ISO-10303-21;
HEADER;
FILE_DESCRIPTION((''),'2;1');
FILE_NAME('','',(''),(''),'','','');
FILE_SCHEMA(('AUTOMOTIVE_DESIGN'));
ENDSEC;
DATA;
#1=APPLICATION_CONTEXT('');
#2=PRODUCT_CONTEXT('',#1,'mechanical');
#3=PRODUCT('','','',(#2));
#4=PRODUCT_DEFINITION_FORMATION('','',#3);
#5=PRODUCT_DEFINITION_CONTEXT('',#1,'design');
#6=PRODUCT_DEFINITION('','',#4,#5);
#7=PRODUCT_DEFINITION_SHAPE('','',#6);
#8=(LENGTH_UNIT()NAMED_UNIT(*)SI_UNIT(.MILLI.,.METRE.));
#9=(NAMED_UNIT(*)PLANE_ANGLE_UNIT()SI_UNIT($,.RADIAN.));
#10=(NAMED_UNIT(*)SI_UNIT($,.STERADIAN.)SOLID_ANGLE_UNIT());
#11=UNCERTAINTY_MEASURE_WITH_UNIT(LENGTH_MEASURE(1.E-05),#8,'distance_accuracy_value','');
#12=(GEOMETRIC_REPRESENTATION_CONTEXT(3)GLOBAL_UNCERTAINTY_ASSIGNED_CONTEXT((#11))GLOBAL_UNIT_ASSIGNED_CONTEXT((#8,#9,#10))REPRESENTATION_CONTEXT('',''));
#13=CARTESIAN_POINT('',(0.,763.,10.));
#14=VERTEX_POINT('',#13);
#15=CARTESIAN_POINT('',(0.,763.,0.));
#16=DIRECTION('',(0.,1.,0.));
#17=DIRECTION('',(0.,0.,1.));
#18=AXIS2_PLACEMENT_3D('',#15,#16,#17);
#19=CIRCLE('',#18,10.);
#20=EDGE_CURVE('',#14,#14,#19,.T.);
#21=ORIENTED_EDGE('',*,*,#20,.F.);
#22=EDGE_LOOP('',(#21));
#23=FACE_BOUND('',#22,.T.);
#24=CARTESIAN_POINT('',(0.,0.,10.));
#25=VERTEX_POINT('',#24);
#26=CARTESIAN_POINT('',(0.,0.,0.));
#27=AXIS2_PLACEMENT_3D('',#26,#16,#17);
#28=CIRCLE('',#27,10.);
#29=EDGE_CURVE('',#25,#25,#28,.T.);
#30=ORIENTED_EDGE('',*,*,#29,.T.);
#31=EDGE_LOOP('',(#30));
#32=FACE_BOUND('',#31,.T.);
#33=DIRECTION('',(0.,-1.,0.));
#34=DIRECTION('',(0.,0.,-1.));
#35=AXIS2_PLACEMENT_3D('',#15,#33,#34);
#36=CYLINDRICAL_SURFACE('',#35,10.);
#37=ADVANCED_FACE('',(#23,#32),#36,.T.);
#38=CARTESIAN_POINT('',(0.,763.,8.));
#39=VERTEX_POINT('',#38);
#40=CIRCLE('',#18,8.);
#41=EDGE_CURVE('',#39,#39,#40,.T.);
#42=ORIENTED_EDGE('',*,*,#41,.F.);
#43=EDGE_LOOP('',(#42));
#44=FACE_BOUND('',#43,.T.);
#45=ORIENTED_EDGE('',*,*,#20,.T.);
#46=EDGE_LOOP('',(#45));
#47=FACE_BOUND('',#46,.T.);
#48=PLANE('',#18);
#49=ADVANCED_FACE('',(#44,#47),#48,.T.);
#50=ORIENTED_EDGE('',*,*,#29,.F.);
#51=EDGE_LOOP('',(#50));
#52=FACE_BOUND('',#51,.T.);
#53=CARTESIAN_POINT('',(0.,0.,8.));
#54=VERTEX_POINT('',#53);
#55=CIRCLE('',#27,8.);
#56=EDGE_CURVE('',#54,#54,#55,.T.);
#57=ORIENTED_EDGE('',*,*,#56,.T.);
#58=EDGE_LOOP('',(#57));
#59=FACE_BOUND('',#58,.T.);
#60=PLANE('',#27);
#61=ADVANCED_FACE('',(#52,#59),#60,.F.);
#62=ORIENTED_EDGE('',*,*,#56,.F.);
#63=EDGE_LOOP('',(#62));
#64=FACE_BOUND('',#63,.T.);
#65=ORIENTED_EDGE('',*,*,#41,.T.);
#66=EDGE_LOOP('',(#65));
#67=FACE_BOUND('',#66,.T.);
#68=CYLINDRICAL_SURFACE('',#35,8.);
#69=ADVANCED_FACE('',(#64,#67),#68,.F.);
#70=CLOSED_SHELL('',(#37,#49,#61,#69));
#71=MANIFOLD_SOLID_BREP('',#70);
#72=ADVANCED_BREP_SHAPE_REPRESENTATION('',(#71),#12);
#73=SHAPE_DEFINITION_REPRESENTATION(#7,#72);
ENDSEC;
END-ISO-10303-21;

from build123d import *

# Parameters (mm, degrees)
SKETCH_1_R      = 10
SKETCH_1_R_2    = 8
EXTRUDE_1_DEPTH = 763


with BuildPart() as part:
    # 草图1 → 凸台-拉伸1 (new body)
    with BuildSketch(Plane(origin=(0, 0, 0), x_dir=(1, 0, 0), z_dir=(0, 1, 0))):
        Circle(SKETCH_1_R)
        Circle(SKETCH_1_R_2, mode=Mode.SUBTRACT)
    extrude(amount=EXTRUDE_1_DEPTH)


solid = part.part
